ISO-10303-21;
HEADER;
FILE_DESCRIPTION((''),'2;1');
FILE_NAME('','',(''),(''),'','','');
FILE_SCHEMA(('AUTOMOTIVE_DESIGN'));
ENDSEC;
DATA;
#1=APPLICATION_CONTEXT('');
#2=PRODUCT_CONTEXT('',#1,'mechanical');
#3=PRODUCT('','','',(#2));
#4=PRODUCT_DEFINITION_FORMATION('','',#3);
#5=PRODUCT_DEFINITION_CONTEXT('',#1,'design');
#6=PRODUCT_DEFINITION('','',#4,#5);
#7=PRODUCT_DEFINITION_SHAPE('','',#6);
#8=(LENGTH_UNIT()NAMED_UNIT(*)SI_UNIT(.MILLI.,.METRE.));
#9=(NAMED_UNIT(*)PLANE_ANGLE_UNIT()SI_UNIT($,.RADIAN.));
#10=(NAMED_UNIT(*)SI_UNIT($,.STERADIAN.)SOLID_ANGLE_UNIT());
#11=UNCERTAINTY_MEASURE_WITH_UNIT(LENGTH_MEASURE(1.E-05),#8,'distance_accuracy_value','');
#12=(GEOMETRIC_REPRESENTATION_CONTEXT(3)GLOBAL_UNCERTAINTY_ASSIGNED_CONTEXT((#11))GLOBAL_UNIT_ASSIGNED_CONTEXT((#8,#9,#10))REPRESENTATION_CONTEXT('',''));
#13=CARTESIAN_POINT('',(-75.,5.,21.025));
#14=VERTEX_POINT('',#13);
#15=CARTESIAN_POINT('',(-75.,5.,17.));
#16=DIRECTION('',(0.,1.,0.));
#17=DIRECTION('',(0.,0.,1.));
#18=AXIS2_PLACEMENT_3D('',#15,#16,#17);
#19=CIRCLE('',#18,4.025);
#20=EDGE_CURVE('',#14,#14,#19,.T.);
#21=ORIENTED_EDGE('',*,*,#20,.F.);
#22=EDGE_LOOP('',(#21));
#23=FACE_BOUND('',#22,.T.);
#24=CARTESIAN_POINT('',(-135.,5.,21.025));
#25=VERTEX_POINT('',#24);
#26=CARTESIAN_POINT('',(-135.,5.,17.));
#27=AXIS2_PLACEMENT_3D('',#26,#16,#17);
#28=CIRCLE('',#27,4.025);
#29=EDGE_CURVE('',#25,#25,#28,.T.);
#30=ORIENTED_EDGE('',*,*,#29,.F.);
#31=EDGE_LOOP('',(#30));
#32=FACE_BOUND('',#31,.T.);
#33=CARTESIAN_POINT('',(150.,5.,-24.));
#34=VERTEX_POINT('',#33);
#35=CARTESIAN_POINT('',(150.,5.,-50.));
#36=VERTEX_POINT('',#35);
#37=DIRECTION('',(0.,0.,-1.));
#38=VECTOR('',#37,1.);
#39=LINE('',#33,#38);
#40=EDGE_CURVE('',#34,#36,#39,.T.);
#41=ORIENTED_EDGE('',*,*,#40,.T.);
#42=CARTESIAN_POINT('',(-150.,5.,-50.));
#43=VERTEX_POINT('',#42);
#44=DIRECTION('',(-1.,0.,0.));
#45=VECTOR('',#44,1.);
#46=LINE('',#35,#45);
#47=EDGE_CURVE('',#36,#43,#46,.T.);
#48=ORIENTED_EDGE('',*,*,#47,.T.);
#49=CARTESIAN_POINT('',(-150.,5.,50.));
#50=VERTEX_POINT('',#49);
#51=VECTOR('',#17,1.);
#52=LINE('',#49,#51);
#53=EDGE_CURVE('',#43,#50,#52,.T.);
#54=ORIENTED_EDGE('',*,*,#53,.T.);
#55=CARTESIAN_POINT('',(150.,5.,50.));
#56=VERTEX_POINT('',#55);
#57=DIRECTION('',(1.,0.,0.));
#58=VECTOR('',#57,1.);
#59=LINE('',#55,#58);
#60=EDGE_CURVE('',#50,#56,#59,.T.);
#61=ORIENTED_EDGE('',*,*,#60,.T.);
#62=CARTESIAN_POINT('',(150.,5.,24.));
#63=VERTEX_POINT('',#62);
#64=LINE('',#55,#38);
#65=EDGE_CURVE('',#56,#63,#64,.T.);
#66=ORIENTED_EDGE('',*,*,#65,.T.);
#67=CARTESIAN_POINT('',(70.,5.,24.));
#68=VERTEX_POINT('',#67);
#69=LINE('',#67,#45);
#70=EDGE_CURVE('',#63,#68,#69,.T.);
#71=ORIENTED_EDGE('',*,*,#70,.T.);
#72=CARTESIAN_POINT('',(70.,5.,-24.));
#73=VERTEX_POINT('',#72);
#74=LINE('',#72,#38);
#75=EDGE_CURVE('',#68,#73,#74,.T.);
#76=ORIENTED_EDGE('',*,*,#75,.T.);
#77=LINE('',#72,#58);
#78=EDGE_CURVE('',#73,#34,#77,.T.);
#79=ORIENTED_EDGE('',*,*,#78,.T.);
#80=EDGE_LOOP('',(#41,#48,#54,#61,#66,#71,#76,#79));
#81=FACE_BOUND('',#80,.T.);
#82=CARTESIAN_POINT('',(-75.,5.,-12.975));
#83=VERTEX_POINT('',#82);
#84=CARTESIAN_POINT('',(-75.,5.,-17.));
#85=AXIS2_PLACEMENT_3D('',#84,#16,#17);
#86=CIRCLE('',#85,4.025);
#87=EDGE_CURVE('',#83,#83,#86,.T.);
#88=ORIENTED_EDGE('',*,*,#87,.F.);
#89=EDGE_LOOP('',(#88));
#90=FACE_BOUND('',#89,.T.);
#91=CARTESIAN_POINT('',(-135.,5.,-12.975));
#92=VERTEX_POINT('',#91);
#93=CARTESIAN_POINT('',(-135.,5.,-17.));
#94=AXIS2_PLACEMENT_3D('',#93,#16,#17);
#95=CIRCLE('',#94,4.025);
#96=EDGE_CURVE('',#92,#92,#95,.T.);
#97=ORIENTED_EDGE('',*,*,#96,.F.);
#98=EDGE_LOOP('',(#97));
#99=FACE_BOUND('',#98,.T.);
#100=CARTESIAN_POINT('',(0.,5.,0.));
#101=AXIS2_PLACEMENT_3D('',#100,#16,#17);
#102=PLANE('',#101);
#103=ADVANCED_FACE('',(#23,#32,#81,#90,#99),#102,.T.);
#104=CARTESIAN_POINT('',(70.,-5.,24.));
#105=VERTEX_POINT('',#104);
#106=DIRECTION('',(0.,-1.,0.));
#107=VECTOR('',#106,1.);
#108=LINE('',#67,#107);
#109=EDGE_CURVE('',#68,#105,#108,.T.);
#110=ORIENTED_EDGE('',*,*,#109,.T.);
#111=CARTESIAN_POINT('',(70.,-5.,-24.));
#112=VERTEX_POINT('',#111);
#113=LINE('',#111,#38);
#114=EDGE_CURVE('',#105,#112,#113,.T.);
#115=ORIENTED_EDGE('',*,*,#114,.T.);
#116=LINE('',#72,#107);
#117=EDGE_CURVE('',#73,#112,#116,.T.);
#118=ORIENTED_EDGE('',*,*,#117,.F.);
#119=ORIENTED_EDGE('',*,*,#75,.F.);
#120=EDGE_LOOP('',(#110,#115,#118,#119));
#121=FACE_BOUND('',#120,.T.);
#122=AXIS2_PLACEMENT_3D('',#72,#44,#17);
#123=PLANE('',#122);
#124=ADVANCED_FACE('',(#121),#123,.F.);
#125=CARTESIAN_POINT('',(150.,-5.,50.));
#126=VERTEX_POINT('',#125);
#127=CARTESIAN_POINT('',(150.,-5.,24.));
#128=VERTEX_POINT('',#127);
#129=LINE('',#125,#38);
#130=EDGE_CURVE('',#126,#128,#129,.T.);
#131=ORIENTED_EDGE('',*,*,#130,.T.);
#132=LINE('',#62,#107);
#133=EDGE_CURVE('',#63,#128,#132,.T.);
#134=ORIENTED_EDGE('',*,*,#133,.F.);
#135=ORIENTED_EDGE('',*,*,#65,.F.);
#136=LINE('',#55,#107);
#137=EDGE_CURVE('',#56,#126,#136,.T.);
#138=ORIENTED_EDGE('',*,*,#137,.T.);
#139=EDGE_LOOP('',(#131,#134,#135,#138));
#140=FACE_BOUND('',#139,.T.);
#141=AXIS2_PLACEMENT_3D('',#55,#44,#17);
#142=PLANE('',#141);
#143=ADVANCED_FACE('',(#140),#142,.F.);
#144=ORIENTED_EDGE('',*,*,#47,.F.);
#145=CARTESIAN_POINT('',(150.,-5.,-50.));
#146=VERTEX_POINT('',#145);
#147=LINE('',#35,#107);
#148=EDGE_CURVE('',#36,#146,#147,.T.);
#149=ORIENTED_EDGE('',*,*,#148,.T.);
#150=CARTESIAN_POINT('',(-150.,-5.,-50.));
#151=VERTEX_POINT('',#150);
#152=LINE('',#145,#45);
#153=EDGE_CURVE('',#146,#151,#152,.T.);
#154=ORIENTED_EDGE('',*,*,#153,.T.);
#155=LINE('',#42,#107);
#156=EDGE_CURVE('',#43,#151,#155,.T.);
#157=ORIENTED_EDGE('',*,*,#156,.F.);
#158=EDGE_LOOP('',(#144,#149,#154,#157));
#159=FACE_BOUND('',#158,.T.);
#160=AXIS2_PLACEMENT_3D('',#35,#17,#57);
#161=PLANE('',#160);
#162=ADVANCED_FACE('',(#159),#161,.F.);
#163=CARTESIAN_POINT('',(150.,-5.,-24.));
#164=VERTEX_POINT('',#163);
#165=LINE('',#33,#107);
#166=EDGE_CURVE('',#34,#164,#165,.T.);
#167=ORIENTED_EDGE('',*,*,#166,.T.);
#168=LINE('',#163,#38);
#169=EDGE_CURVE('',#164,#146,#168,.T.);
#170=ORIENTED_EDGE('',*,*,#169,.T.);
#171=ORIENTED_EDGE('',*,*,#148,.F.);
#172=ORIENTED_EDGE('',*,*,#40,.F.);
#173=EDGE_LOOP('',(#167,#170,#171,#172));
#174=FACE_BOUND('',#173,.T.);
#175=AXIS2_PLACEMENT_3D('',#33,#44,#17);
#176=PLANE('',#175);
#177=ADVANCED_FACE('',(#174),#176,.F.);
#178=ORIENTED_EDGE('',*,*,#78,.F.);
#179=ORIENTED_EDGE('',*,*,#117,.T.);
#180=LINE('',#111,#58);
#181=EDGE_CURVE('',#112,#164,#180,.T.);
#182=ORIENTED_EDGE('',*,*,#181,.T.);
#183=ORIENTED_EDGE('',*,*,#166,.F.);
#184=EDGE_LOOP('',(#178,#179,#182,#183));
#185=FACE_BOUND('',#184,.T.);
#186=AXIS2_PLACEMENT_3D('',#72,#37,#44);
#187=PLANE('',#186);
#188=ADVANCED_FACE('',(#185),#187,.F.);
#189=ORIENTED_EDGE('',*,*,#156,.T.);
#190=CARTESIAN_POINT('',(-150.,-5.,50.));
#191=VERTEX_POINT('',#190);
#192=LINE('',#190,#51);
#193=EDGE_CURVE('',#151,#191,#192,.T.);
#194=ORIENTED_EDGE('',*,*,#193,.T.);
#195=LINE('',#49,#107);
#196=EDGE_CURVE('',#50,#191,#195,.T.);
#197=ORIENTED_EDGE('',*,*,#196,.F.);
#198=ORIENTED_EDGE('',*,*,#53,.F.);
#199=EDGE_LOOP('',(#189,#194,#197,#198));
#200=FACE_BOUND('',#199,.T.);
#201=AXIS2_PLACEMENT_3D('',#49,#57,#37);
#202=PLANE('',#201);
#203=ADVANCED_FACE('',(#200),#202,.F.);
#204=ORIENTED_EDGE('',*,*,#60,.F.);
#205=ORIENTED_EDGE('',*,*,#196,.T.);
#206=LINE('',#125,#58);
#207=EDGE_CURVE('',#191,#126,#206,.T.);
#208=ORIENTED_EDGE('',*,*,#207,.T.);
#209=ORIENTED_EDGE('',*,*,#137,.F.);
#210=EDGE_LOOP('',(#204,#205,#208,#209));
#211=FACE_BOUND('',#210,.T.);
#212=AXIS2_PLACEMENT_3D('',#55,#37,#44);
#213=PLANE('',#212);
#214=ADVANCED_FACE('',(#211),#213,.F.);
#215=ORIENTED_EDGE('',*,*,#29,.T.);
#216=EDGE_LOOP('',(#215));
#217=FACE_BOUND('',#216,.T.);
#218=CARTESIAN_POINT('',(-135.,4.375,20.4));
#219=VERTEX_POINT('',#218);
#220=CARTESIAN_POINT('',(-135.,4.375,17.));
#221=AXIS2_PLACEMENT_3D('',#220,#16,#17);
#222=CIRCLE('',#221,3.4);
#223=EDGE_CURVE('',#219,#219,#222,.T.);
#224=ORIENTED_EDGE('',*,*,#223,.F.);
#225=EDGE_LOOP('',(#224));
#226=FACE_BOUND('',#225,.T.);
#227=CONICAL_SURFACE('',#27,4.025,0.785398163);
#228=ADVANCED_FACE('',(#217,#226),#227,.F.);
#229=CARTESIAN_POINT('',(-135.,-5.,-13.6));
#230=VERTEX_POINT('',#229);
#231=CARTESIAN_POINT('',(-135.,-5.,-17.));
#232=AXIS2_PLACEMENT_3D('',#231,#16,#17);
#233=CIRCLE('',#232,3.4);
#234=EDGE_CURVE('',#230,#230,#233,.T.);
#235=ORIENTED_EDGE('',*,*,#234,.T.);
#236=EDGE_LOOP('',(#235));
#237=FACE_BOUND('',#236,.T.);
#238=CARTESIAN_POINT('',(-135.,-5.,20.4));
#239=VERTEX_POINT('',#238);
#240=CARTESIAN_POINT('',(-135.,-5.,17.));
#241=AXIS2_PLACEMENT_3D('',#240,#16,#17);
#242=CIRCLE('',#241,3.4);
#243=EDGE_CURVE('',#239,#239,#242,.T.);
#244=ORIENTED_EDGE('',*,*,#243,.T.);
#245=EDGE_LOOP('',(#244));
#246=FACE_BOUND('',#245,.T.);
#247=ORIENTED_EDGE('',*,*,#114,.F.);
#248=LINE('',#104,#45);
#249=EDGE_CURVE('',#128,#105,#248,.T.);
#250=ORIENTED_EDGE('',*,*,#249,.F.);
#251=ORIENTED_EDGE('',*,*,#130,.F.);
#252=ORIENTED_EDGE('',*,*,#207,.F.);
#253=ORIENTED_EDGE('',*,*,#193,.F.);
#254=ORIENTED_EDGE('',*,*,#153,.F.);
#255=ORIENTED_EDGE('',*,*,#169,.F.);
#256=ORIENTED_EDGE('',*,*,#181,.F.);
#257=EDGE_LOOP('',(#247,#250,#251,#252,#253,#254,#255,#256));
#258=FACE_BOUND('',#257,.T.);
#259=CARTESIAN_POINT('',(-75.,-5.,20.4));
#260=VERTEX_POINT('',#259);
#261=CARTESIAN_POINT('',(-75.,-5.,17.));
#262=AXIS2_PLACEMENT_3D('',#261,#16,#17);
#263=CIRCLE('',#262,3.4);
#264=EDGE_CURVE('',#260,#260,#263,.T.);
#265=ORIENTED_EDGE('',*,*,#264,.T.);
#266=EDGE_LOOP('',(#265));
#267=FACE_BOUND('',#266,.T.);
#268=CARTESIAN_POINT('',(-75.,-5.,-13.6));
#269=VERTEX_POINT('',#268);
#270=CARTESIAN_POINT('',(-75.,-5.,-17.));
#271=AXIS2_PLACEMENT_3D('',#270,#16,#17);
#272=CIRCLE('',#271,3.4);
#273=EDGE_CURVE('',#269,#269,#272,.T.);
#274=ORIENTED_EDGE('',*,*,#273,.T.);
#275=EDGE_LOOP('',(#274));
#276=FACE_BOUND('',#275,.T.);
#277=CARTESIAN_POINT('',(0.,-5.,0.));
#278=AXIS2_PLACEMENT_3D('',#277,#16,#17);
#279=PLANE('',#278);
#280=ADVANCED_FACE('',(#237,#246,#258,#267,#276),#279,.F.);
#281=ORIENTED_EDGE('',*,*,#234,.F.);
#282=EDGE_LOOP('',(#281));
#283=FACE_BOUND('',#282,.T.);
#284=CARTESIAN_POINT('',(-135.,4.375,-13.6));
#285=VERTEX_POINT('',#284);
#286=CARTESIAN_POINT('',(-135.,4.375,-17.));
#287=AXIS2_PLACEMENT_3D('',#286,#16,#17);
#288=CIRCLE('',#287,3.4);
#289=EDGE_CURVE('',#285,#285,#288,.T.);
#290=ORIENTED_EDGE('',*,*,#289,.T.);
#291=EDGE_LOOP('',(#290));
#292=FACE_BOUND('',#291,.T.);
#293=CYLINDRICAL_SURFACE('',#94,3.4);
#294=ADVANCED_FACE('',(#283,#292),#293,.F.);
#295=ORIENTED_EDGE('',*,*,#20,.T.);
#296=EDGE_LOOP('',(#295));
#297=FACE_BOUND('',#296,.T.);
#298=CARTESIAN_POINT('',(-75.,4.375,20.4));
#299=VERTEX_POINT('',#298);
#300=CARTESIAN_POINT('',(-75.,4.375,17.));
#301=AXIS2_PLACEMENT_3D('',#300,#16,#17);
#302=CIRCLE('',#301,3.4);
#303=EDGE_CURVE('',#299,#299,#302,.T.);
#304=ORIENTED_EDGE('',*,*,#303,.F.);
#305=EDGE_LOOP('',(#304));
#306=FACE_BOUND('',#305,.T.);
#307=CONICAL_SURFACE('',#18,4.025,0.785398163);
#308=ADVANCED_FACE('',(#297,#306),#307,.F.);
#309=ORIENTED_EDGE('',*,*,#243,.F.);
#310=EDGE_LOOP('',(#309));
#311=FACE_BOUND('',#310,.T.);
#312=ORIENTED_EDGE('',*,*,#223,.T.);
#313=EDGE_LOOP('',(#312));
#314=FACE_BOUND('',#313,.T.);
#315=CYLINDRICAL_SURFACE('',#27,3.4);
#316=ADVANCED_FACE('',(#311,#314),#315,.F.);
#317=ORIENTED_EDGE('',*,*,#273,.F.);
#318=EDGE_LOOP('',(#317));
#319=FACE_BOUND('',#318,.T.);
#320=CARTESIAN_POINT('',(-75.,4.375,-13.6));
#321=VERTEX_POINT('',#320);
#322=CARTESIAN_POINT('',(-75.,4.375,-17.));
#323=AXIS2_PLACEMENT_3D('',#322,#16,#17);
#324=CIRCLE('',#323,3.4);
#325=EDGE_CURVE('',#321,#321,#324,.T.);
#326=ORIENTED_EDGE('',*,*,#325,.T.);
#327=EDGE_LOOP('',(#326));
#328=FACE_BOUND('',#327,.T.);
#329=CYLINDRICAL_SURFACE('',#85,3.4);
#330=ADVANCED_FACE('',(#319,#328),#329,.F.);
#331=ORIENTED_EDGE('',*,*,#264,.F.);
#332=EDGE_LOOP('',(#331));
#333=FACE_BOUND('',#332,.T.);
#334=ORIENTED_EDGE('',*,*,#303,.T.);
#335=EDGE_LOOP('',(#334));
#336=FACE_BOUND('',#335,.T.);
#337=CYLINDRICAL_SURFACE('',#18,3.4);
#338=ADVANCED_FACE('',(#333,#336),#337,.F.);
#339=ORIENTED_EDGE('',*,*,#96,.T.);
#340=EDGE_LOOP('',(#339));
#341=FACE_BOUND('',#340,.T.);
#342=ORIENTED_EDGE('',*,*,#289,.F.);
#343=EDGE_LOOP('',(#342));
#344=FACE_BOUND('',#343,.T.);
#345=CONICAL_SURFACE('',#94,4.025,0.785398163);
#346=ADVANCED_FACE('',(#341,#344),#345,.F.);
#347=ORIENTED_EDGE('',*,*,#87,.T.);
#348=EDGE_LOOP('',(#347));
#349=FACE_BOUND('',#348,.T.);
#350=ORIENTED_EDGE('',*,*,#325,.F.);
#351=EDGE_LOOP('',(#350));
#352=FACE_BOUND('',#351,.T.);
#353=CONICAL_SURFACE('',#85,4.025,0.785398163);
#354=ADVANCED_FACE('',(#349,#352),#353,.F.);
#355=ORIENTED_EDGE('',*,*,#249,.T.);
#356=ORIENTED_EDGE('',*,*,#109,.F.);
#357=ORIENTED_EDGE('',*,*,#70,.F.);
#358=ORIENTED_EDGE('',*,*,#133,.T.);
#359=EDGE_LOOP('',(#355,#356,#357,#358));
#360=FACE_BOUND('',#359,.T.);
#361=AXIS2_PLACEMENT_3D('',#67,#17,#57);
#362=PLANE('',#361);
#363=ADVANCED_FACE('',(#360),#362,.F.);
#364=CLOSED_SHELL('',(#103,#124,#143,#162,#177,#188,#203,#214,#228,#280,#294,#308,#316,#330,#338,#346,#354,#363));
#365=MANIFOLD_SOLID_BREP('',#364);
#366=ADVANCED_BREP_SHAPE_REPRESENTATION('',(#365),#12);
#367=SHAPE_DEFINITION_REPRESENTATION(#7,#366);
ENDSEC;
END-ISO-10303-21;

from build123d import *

# Parameters (mm, degrees)
RESSALTO_EXTRUS_O1_DEPTH        = 5
FURO_ROSCADO_DE_M82_D           = 6.8
FURO_ROSCADO_DE_M82_CSINK_D     = 8.05
FURO_ROSCADO_DE_M82_CSINK_ANGLE = 90


with BuildPart() as part:
    # Esboço1 → Ressalto-extrusão1 (new, symmetric)
    with BuildSketch(Plane(origin=(0, 0, 0), x_dir=(1, 0, 0), z_dir=(0, 1, 0))):
        Polygon((70, 24), (150, 24), (150, 50), (-150, 50), (-150, -50), (150, -50), (150, -24), (70, -24), align=None)
    extrude(amount=RESSALTO_EXTRUS_O1_DEPTH, both=True)

    # Furo roscado de M82 (through all)
    with Locations(Plane(origin=(-135, 5, -17), x_dir=(0, 0, 1), z_dir=(0, 1, 0))):
        with Locations((0, 0), (34, 0), (34, 60), (0, 60)):
            CounterSinkHole(FURO_ROSCADO_DE_M82_D / 2, FURO_ROSCADO_DE_M82_CSINK_D / 2, counter_sink_angle=FURO_ROSCADO_DE_M82_CSINK_ANGLE)


solid = part.part
